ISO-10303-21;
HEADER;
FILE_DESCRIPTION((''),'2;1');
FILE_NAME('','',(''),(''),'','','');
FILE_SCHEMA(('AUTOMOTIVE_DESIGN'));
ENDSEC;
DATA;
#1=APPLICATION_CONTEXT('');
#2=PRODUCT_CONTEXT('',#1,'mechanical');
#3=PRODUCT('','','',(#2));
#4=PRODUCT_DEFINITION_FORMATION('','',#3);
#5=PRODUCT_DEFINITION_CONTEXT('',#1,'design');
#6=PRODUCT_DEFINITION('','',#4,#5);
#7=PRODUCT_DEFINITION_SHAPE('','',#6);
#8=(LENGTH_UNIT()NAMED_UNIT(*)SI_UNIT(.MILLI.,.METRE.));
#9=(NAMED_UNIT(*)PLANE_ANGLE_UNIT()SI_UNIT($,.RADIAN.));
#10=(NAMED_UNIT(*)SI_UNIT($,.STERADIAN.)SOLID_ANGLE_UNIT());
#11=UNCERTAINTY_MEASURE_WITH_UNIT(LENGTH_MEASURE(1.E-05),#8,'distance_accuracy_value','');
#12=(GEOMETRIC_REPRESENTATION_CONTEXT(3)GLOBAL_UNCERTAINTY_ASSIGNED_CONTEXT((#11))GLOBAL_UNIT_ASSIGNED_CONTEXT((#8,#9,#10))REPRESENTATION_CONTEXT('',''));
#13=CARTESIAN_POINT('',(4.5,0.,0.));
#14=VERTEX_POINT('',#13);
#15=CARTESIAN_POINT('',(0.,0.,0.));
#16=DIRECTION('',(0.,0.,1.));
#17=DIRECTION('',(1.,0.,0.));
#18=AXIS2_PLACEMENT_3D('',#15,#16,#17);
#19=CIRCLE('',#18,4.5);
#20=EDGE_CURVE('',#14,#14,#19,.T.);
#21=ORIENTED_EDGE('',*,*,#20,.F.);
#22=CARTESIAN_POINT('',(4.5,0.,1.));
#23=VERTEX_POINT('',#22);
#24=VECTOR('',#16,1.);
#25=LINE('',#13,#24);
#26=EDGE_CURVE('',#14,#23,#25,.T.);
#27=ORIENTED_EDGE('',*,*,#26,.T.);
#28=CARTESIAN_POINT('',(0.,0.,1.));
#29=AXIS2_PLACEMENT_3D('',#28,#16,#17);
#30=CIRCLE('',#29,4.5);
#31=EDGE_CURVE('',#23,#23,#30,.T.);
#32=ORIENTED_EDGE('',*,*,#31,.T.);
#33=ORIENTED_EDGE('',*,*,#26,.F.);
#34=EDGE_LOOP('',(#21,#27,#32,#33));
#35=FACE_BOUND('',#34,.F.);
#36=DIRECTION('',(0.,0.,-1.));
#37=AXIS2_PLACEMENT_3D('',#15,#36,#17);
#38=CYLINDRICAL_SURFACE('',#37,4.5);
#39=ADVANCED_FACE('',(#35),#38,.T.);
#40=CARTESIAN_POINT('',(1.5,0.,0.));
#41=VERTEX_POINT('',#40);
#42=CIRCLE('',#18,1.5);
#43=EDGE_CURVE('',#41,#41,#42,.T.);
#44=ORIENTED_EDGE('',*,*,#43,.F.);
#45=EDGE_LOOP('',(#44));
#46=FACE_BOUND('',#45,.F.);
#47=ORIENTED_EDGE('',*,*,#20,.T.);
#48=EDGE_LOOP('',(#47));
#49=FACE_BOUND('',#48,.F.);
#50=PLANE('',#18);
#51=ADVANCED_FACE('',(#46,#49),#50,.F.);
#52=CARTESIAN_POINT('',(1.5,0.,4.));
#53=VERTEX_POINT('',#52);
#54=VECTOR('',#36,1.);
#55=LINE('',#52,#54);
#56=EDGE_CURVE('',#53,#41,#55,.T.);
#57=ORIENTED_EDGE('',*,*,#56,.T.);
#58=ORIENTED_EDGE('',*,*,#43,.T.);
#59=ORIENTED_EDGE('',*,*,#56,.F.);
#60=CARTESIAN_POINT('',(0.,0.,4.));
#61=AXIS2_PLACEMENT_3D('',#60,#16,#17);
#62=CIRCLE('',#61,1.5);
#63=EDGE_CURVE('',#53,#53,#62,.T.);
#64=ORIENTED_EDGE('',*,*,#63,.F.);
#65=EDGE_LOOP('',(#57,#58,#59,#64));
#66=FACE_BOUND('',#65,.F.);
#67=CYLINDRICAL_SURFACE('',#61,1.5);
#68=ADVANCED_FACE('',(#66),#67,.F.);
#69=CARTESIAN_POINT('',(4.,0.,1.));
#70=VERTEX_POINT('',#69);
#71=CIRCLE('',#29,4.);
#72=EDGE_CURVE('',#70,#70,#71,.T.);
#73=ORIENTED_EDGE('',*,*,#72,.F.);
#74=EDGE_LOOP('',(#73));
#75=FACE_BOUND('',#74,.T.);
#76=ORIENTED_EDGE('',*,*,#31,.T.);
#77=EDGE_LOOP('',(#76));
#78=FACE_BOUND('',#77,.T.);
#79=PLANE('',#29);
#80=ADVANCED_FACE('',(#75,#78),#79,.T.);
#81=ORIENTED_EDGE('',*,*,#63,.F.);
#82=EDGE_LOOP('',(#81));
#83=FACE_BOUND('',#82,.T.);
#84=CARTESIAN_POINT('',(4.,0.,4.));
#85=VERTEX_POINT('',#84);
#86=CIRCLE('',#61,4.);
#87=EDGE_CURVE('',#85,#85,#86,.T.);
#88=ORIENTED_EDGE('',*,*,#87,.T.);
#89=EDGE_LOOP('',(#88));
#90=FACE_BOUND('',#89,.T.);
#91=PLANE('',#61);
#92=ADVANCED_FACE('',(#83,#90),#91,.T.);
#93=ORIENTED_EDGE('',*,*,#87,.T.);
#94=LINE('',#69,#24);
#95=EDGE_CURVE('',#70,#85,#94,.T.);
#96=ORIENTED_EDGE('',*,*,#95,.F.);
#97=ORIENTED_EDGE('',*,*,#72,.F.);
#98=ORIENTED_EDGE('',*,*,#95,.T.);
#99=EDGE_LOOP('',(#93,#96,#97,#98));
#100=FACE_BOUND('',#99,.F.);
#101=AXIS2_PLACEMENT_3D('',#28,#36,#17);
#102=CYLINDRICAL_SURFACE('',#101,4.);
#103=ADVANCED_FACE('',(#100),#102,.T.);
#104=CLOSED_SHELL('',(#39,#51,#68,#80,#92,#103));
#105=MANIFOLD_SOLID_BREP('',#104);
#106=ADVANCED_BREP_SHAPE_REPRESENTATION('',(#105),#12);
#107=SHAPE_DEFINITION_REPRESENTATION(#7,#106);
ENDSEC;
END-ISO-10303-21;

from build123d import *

# Parameters (mm, degrees)
SKETCH_R     = 4.5
PAD_DEPTH    = 1
SKETCH001_R  = 4
PAD001_DEPTH = 3
SKETCH002_R  = 1.5
POCKET_DEPTH = 4.001


with BuildPart() as part:
    # Sketch → Pad (new body)
    with BuildSketch(Plane.XY):
        Circle(SKETCH_R)
    extrude(amount=PAD_DEPTH)

    # Sketch001 (on Face3 of Pad) → Pad001 (join)
    with BuildSketch(Plane.XY.offset(1)):
        Circle(SKETCH001_R)
    extrude(amount=PAD001_DEPTH)

    # Sketch002 (on Face5 of Pad001) → Pocket (cut, through all)
    with BuildSketch(Plane.XY.offset(4)):
        Circle(SKETCH002_R)
    extrude(amount=-POCKET_DEPTH, mode=Mode.SUBTRACT)


solid = part.part
